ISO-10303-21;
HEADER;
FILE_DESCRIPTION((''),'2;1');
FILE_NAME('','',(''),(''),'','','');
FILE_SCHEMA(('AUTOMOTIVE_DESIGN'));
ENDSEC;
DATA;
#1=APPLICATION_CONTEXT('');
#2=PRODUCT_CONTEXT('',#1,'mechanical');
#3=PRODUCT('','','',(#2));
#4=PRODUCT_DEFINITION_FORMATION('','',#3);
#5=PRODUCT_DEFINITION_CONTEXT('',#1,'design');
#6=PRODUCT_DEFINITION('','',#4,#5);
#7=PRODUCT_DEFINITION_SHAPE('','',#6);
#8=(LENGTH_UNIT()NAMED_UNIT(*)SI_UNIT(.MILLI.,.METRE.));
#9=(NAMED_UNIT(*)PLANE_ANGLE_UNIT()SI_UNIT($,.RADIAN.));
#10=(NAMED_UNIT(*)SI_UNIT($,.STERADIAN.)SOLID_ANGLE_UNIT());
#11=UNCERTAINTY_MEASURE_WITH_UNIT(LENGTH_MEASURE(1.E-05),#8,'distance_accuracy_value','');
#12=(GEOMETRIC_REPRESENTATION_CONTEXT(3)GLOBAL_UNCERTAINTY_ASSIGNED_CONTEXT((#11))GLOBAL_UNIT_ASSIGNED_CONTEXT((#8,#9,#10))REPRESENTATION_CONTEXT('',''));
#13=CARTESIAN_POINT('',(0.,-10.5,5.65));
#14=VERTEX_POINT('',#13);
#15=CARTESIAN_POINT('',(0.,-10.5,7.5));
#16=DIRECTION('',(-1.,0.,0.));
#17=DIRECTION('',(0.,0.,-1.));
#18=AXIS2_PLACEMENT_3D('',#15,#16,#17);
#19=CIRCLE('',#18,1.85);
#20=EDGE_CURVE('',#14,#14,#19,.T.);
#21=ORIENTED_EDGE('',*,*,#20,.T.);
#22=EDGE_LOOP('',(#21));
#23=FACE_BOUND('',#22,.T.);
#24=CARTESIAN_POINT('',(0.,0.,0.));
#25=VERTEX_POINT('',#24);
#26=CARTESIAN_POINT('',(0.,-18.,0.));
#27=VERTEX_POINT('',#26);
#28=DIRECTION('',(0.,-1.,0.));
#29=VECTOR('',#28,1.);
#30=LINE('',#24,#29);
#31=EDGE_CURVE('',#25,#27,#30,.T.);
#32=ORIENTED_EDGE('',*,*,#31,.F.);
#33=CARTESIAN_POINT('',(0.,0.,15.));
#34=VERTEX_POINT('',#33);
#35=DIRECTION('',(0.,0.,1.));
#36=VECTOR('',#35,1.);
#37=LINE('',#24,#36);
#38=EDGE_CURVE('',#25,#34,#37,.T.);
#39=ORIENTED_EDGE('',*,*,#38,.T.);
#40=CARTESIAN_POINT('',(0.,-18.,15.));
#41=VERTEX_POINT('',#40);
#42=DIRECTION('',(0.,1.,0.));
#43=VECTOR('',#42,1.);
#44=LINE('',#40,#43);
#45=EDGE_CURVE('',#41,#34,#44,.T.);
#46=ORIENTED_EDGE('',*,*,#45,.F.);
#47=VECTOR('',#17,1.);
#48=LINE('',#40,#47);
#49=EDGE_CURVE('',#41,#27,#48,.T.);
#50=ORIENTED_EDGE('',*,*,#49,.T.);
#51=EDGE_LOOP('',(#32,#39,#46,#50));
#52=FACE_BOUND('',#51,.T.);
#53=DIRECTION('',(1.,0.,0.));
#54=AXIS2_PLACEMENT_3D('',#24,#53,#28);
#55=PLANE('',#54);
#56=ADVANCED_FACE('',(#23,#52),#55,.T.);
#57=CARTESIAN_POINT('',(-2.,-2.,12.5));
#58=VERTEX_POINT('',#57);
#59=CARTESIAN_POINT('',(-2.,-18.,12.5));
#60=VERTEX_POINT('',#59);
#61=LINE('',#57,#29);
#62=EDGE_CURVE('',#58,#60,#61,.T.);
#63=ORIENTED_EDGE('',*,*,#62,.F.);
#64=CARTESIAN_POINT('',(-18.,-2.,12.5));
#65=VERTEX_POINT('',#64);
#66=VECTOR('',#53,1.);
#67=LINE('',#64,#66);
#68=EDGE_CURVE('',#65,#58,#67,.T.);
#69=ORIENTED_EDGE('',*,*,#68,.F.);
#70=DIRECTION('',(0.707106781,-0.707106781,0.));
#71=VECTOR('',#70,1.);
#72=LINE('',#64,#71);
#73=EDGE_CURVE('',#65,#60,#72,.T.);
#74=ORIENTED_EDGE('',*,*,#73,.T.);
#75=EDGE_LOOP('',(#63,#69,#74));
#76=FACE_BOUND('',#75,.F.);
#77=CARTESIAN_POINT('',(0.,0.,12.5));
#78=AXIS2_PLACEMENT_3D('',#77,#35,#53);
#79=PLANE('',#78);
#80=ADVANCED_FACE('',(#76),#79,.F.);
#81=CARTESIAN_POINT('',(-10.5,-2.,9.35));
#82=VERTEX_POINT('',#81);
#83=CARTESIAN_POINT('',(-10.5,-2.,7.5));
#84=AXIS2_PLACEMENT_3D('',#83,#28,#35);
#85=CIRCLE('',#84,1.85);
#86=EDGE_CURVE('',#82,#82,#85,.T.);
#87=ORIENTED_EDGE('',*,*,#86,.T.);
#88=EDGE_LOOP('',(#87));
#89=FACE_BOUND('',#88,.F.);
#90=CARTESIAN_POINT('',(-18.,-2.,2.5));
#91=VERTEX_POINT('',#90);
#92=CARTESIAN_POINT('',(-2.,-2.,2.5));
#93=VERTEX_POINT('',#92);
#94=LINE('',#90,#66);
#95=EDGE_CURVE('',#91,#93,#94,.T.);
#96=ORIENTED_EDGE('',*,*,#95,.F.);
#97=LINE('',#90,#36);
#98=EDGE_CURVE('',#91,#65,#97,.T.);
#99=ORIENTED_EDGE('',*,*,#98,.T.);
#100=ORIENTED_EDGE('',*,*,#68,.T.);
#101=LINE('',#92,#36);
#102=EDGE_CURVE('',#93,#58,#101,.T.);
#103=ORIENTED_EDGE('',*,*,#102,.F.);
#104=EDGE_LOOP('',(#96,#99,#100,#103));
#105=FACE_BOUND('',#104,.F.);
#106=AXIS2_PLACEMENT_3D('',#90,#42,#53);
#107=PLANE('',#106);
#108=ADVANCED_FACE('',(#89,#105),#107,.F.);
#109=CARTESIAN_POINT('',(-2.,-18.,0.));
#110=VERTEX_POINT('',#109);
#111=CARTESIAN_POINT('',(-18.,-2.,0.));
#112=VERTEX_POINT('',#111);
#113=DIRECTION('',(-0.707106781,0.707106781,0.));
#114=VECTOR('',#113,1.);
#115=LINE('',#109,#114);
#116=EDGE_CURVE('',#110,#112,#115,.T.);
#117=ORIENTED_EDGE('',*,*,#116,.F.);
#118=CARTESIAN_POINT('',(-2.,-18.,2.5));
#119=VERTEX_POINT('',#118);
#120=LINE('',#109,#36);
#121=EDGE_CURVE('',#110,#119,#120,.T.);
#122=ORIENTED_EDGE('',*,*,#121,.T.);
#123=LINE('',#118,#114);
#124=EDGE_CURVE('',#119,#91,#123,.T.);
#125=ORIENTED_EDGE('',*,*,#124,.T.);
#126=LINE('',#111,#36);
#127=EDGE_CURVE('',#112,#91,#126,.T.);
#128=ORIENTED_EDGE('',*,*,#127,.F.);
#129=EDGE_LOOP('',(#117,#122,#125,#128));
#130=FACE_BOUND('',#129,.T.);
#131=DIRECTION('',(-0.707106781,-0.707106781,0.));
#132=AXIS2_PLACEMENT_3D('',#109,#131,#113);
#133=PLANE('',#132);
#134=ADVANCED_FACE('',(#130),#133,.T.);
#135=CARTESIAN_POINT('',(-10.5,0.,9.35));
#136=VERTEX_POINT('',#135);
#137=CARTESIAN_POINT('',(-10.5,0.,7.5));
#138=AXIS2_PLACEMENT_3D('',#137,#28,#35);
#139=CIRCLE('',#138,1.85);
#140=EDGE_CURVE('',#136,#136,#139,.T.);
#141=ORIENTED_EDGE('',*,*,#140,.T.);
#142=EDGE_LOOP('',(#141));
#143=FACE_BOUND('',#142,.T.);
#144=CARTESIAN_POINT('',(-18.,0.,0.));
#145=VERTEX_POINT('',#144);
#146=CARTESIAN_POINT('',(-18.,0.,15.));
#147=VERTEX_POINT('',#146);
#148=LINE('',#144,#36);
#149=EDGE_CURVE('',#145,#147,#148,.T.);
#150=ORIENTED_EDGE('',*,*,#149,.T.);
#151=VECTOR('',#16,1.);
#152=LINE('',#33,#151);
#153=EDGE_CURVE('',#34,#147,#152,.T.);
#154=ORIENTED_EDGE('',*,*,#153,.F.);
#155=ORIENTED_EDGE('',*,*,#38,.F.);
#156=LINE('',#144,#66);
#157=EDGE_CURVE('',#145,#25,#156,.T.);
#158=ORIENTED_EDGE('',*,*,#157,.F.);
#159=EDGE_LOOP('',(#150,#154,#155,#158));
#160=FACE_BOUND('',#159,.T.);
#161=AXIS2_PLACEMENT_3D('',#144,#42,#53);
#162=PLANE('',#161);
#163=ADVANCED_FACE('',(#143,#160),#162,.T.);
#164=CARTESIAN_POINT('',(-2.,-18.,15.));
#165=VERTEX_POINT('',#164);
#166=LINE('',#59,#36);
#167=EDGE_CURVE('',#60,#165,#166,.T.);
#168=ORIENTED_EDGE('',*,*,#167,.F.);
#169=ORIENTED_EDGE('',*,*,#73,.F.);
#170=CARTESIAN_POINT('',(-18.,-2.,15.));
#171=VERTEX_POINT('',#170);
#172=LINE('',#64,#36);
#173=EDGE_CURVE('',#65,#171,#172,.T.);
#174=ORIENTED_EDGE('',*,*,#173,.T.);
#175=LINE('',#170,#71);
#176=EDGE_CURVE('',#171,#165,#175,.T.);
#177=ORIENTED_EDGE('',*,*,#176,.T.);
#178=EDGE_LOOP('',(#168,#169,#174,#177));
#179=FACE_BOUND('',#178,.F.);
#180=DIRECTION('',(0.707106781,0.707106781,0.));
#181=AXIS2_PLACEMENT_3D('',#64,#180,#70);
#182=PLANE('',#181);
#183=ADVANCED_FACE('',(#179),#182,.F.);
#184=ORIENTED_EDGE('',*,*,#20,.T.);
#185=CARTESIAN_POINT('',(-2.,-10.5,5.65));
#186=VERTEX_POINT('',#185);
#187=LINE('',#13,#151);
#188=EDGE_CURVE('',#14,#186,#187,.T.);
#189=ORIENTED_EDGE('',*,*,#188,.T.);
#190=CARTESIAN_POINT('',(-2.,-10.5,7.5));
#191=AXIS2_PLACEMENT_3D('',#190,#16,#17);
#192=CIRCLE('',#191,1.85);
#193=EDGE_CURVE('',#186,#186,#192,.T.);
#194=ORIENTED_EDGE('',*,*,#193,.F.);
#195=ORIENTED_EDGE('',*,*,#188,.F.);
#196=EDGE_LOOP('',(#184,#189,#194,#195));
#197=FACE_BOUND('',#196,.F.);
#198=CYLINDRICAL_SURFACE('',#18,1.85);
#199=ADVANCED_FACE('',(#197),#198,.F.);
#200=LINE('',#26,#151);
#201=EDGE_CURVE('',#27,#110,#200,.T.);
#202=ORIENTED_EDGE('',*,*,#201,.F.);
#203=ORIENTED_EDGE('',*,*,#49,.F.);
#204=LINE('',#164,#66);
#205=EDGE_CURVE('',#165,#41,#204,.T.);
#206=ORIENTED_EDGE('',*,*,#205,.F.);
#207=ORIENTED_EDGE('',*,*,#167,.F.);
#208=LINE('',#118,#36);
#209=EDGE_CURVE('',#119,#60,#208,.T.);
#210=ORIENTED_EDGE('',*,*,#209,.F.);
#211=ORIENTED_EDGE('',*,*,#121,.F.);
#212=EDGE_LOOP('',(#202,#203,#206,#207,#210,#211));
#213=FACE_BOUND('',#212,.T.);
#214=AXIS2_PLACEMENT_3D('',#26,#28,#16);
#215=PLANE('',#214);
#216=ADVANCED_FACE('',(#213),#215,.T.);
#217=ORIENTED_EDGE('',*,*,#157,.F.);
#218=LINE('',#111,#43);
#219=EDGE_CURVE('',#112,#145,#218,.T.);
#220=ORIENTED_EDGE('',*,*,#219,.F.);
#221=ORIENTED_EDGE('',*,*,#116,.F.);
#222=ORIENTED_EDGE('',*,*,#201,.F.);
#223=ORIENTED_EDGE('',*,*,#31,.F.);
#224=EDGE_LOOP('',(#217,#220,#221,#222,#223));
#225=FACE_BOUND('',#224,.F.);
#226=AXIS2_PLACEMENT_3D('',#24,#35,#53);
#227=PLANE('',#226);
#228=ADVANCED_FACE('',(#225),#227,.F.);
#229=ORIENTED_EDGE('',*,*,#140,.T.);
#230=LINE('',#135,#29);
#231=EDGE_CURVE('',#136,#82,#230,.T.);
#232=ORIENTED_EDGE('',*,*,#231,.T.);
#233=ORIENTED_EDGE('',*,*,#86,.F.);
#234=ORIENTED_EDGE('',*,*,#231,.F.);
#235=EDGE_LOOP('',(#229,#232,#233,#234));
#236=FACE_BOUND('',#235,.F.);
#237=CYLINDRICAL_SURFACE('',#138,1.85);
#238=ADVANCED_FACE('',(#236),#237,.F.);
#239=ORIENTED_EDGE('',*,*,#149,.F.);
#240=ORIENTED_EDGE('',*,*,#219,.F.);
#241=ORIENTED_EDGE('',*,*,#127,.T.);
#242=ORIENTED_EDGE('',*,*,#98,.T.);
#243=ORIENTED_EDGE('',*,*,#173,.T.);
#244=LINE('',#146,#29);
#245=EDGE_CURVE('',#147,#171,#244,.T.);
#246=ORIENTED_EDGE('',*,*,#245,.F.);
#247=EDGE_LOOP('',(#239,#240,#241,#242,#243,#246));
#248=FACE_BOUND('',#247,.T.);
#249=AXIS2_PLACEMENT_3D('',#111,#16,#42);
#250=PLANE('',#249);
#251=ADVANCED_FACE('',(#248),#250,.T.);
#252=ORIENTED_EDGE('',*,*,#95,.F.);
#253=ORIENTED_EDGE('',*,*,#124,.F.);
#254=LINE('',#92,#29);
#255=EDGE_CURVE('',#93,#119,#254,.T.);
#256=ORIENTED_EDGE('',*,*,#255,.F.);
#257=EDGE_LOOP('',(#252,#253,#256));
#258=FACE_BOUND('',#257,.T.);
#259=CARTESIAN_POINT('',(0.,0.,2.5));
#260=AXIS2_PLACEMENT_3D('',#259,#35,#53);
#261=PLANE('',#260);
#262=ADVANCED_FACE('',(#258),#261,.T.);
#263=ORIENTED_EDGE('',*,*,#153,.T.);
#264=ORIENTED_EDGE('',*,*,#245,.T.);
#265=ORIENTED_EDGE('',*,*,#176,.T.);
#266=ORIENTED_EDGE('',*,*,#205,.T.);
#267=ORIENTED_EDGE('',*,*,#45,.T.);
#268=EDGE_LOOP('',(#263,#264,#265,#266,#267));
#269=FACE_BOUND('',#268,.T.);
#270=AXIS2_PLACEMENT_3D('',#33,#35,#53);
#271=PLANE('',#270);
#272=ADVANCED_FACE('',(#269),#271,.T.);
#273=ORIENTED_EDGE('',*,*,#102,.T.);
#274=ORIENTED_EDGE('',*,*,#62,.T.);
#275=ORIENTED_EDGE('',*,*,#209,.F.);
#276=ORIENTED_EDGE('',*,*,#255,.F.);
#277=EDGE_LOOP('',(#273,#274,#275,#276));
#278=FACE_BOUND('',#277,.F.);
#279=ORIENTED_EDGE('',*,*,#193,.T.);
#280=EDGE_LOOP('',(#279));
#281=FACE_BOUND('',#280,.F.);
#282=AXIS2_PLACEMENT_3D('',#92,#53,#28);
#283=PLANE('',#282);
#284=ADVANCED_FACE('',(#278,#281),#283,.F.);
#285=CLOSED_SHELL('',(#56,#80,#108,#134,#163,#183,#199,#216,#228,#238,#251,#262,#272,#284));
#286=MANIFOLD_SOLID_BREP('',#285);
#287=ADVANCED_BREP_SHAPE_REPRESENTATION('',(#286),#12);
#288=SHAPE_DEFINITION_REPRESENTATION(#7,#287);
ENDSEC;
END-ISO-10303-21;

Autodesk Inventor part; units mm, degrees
ref_plane "YZ Plane" through (0, 0, 0) normal (1, 0, 0) x (0, 1, 0)
ref_plane "XZ Plane" through (0, 0, 0) normal (0, 1, 0) x (-1, 0, 0)
ref_plane "XY Plane" through (0, 0, 0) normal (0, 0, 1) x (1, 0, 0)
sketch "Sketch1" plane through (0, 0, 0) normal (0, 0, 1) x (1, 0, 0)
  line L0 (0, 0) -> (0, -18)
  line L1 (0, -18) -> (-2, -18)
  line L2 (-2, -18) -> (-18, -2)
  line L3 (-18, -2) -> (-18, 0)
  line L4 (-18, 0) -> (0, 0)
  dimension "d0" = 18
  dimension "d1" = 2
extrude "Extrusion1" add sketch "Sketch1" along normal blind 2.5
sketch "Sketch2" plane through (0, 0, 2.5) normal (0, 0, 1) x (1, 0, 0)
  line L0 (0, -18) -> (0, 0) projected
  line L1 (0, 0) -> (-18, 0) projected
  line L2 (-18, 0) -> (-18, -2) projected
  line L3 (-18, -2) -> (-2, -18) projected
  line L4 (-2, -18) -> (0, -18) projected
  line L5 (-18, 0) -> (-18, -2) projected
  line L6 (-18, -2) -> (-2, -2)
  line L7 (-2, -18) -> (0, -18) projected
  line L8 (-2, -2) -> (-2, -18)
extrude "Extrusion2" add sketch "Sketch2" along normal blind 10 contours L4 L8 L6 L2 L1 L0
sketch "Sketch3" plane through (0, 0, 12.5) normal (0, 0, 1) x (1, 0, 0)
  line L0 (-2, -2) -> (-18, -2) projected
  line L1 (-18, -2) -> (-2, -18) projected
  line L2 (-2, -18) -> (-2, -2) projected
  line L3 (0, -18) -> (0, 0) projected
  line L4 (0, 0) -> (-18, 0) projected
  line L5 (-18, 0) -> (-18, -2) projected
  line L6 (-18, -2) -> (-2, -2) projected
  line L7 (-2, -2) -> (-2, -18) projected
  line L8 (-2, -18) -> (0, -18) projected
extrude "Extrusion3" add sketch "Sketch3" along normal blind 2.5
sketch "Sketch4" plane through (-18, 0, 0) normal (0, 1, 0) x (1, 0, 0)
  line L0 (0, 0) -> (18, 0) projected
  line L1 (0, 0) -> (0, -15) projected
  line L2 (18, -15) -> (0, -15) projected
  line L3 (18, 0) -> (18, -15) projected
  point P0 (7.5, -7.5)
  dimension "d8" = 7.5
  dimension "d9" = 7.5
hole "Hole1" at (-10.5, 0, 7.5) direction (0, -1, 0) diameter 3.7 depth 8 tip angle 118
sketch "Sketch5" plane through (0, -18, 0) normal (1, 0, 0) x (0, 0, -1)
  line L0 (0, 18) -> (0, 0) projected
  line L1 (0, 18) -> (-15, 18) projected
  line L2 (-15, 0) -> (-15, 18) projected
  line L3 (0, 0) -> (-15, 0) projected
  point P0 (-7.5, 7.5)
  dimension "d17" = 7.5
  dimension "d18" = 7.5
hole "Hole2" at (0, -10.5, 7.5) direction (-1, 0, 0) diameter 3.7 depth 8 tip angle 118
equation "\"d9\" = d8"
properties part number "Beam_CornerTri" material "ABS Plastic"
